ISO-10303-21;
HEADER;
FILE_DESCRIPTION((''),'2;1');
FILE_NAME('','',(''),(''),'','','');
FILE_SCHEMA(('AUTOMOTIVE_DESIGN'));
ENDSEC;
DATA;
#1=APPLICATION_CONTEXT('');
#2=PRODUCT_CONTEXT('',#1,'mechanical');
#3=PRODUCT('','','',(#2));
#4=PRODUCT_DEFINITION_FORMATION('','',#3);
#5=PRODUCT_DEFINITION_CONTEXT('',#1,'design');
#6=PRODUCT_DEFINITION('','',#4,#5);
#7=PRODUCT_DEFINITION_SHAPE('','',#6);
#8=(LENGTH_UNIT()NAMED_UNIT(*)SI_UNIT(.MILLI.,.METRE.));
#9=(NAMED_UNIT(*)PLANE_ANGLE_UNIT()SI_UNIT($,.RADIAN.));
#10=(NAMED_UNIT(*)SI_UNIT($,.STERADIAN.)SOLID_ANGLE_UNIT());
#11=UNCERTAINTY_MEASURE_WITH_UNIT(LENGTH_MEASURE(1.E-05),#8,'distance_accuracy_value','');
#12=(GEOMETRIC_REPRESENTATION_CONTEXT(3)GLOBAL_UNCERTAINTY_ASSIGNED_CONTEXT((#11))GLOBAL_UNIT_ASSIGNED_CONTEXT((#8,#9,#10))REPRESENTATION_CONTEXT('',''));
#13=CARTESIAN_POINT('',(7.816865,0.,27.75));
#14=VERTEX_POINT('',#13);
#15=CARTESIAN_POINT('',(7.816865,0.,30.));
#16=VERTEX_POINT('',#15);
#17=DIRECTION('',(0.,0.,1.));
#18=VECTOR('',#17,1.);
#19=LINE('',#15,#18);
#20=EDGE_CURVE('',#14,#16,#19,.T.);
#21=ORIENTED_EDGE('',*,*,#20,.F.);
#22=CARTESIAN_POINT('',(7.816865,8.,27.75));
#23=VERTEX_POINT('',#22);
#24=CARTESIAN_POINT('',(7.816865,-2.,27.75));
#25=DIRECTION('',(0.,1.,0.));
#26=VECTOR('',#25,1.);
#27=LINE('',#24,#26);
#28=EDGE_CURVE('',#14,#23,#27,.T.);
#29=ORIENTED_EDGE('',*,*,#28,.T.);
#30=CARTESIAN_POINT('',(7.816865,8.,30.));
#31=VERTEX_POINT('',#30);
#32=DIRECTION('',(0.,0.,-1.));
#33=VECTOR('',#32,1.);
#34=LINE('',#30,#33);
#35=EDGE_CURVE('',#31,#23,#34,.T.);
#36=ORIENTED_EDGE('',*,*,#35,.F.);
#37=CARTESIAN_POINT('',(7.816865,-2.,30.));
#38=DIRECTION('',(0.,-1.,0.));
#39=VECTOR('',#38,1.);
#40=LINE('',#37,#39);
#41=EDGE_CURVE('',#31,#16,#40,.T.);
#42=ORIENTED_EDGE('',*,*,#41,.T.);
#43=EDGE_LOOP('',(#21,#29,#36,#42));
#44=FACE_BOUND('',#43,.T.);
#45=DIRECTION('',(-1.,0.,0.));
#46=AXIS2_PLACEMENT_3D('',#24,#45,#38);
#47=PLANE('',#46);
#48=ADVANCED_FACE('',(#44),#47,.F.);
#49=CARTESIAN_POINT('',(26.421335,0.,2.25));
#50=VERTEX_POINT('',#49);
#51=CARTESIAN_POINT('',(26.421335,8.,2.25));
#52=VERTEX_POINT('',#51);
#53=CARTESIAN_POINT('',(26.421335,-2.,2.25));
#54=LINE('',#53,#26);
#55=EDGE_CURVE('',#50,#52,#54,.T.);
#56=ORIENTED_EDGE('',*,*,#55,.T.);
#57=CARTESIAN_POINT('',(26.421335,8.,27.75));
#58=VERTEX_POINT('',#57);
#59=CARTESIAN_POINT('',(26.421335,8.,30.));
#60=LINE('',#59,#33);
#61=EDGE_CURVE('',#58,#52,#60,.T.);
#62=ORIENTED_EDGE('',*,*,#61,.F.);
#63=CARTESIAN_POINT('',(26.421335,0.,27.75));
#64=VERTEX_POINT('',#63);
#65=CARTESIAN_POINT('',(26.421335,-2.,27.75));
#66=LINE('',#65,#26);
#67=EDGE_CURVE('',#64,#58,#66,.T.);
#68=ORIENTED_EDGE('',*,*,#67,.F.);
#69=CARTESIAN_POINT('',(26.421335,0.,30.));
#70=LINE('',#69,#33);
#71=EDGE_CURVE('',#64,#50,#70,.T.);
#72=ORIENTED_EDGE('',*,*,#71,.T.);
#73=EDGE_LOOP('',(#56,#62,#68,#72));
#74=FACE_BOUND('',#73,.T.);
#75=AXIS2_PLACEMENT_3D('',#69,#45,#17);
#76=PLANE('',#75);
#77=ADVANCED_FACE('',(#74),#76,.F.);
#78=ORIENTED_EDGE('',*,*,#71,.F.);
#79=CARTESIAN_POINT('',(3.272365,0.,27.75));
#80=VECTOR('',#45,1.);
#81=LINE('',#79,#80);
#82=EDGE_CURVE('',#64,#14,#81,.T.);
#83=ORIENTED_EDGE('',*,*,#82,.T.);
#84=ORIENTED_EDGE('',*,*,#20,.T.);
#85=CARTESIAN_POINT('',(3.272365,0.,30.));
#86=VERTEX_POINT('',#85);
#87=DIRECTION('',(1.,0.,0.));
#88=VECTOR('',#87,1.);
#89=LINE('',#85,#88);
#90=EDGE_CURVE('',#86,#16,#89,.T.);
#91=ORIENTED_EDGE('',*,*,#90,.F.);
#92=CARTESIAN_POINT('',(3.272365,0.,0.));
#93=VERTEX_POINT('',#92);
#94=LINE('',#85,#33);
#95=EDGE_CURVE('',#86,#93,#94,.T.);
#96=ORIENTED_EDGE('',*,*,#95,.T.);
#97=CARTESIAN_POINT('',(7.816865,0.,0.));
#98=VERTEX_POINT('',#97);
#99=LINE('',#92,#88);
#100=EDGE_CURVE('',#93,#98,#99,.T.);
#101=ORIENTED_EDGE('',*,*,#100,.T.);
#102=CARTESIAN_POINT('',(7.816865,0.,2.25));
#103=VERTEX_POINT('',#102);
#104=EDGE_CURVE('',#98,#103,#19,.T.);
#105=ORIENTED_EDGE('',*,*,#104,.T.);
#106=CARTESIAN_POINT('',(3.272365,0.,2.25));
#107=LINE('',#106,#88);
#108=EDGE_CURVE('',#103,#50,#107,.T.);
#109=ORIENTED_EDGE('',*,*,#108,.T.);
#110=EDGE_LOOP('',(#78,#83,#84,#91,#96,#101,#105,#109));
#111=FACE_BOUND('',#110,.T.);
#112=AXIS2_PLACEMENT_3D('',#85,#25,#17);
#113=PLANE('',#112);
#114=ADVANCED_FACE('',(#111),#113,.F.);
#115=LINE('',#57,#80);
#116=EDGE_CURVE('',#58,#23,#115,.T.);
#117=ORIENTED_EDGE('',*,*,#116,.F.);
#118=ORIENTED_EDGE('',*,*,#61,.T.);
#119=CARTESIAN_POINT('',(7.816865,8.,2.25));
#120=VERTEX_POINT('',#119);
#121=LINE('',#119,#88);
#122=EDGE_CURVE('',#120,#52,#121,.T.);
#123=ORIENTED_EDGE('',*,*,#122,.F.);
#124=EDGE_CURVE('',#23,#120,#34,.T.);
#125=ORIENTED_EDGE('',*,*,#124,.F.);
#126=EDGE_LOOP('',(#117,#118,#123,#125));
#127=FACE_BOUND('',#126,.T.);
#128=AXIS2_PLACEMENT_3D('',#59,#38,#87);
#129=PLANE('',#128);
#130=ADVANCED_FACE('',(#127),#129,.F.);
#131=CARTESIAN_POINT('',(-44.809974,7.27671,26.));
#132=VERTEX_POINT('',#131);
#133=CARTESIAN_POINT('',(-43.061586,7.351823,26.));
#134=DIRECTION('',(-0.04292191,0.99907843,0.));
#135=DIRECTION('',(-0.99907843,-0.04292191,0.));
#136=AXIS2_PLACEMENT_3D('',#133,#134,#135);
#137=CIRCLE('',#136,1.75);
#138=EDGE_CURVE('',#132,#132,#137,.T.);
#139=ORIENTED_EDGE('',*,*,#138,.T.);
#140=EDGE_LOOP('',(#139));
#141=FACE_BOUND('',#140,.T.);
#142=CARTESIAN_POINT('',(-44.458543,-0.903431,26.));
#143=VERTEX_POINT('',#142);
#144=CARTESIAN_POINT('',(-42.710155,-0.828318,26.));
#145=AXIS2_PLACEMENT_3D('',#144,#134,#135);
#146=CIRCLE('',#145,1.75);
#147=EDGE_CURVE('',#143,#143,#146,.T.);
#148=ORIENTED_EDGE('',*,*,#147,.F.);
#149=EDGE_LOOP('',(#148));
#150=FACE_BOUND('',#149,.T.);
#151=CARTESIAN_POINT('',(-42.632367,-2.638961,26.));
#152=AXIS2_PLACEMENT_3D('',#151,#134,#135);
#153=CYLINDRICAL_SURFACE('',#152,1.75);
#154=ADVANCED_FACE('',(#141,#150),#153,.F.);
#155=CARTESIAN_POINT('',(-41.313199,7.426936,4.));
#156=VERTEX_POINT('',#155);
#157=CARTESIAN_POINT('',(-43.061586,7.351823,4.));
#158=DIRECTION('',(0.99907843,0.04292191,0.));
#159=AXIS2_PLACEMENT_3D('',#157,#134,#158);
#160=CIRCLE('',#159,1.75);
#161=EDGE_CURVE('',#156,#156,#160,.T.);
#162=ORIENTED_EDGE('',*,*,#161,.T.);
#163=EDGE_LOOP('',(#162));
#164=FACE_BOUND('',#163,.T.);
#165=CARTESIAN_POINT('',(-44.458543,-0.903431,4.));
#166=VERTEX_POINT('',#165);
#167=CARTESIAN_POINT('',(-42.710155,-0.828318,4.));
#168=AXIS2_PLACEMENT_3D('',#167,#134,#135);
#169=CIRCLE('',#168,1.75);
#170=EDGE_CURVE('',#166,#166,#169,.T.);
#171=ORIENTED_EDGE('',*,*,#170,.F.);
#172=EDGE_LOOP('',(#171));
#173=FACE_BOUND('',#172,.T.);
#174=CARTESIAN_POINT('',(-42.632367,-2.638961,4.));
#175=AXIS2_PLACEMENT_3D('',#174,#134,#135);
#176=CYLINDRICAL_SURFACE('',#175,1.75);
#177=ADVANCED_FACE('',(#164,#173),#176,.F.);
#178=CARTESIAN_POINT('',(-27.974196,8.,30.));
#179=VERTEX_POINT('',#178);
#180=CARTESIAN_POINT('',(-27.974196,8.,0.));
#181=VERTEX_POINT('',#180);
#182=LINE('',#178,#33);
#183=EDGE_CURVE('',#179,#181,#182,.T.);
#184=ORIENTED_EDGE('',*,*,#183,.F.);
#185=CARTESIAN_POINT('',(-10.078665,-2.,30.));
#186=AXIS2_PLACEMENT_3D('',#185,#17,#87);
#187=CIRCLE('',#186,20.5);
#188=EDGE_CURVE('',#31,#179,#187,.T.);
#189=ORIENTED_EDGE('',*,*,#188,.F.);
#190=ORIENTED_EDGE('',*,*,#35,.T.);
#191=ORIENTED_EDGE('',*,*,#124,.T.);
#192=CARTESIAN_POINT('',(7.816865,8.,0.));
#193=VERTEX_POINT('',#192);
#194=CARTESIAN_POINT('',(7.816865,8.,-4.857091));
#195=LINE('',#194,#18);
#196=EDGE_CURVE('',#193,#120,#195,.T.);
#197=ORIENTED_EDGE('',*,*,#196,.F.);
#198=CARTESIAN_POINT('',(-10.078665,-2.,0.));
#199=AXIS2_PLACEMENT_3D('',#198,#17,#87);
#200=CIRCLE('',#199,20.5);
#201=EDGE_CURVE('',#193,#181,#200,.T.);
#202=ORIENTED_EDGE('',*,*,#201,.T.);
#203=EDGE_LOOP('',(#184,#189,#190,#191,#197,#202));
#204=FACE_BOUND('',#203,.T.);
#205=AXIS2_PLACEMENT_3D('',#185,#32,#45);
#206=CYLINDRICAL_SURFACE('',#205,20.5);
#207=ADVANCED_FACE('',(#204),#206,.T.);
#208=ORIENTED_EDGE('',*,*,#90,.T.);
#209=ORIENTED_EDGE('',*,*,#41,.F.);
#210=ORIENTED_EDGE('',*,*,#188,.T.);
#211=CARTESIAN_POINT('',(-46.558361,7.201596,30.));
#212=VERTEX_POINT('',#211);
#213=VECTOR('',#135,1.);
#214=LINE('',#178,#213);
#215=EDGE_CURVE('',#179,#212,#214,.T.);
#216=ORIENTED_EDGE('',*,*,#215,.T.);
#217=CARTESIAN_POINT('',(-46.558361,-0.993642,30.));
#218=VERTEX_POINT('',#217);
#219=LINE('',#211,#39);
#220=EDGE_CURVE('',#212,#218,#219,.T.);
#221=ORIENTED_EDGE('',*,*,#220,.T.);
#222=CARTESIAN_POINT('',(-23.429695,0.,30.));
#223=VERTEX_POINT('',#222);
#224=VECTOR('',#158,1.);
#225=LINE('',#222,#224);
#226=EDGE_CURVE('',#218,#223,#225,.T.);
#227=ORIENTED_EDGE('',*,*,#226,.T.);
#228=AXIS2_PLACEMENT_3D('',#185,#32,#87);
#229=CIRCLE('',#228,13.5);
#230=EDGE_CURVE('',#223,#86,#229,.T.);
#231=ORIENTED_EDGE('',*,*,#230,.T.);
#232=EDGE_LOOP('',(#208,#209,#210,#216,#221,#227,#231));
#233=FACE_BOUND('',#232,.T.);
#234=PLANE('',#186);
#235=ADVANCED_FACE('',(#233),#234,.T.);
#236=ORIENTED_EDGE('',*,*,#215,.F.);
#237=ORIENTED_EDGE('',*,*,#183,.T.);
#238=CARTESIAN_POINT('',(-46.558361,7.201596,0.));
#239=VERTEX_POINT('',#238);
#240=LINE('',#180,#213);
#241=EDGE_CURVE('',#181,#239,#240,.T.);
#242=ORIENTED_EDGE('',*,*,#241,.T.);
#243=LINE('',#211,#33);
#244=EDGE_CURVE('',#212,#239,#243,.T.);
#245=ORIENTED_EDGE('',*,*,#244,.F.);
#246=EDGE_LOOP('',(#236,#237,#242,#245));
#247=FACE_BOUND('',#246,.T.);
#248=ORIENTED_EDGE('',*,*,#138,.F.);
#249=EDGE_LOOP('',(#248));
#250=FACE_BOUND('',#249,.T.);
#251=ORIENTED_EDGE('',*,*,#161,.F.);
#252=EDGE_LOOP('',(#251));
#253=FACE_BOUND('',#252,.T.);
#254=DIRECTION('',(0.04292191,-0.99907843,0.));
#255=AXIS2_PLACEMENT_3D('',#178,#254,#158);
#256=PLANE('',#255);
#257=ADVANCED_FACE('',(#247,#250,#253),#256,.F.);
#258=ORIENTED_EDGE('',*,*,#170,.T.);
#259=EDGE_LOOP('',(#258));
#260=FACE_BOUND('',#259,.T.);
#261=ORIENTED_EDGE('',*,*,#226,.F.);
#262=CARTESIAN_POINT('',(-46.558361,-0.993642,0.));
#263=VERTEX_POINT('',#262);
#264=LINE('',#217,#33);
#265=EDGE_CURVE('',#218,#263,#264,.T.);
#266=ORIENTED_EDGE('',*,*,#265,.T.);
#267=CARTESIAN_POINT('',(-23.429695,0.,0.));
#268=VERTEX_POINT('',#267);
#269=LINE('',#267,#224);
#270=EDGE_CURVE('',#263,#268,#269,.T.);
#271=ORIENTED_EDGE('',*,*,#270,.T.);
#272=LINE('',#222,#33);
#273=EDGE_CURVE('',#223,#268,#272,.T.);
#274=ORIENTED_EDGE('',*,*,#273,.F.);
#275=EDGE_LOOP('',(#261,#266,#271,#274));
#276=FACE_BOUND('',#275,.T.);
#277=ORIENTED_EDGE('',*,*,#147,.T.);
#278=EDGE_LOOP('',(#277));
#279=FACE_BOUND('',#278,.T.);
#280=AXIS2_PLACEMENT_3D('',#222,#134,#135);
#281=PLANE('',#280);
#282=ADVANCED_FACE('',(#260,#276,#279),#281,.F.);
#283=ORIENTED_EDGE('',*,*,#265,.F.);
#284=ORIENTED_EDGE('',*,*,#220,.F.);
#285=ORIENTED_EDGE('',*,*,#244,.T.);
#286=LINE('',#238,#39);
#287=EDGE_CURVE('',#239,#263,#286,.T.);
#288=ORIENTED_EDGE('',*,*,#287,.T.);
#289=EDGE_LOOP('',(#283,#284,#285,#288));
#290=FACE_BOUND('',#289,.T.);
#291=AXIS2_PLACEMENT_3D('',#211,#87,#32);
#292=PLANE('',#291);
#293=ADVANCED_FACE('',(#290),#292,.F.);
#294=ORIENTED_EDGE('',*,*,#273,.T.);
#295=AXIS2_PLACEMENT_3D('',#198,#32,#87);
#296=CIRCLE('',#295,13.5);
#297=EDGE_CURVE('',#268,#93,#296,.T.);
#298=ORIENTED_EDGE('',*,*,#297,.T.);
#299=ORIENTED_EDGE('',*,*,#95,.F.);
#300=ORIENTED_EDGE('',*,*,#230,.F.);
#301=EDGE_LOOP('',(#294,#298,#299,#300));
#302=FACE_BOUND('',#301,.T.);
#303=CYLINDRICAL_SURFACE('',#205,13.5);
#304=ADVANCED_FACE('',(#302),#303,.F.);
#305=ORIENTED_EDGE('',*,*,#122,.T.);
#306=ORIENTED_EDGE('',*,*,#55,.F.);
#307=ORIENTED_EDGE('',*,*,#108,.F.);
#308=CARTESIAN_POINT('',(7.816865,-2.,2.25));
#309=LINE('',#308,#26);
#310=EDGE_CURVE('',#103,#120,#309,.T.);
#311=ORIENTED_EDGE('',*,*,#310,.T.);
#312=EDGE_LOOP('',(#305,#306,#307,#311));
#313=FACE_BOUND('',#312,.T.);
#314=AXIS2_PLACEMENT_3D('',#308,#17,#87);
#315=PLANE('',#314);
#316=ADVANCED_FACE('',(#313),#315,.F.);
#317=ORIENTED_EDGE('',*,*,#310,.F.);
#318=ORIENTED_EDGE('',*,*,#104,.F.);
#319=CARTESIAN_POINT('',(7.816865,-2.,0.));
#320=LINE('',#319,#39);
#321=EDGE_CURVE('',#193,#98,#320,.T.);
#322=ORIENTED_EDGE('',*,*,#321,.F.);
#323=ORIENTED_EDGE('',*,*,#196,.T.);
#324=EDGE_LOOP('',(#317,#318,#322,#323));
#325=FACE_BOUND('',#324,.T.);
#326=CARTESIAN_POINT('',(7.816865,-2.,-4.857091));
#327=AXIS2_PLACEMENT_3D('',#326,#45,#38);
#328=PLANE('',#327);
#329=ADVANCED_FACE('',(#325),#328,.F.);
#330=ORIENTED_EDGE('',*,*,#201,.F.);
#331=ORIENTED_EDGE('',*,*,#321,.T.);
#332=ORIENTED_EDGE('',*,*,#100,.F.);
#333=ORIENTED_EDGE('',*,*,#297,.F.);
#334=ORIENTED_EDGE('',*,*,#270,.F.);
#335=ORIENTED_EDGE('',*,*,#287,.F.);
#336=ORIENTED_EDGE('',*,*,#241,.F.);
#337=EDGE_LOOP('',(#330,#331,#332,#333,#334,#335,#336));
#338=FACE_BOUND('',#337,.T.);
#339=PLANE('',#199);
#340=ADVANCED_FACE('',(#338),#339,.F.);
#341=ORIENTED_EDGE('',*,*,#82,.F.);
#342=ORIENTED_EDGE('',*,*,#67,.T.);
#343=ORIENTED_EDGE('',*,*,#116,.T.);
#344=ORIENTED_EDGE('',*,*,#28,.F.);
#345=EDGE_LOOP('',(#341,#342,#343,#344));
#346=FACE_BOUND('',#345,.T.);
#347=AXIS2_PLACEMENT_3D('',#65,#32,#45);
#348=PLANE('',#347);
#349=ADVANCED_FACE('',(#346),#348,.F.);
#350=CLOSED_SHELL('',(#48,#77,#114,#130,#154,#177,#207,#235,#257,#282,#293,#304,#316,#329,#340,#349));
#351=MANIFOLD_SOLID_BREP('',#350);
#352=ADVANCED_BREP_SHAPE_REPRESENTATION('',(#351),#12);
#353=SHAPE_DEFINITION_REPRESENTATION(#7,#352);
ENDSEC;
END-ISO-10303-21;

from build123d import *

# Parameters (mm, degrees)
SALIENTE_EXTRUIR1_DEPTH = 30
CORTAR_EXTRUIR1_DEPTH   = 10
CROQUIS4_R              = 1.75
CORTAR_EXTRUIR2_DEPTH   = 10


with BuildPart() as part:
    # Croquis1 → Saliente-Extruir1 (new body)
    with BuildSketch(Plane.XY):
        with BuildLine():
            Line((26.421334586, 0), (26.421334586, 8))
            Line((26.421334586, 8), (7.816864755, 8))
            ThreePointArc((7.816864755, 8), (-10.078665414, 18.5), (-27.974195582, 8))
            Line((-27.974195582, 8), (-46.558360995, 7.201596348))
            Line((-46.558360995, 7.201596348), (-46.558360995, -0.993642206))
            Line((-46.558360995, -0.993642206), (-23.429695336, 0))
            ThreePointArc((-23.429695336, 0), (-10.078665414, 11.5), (3.272364509, 0))
            Line((3.272364509, 0), (26.421334586, 0))
        make_face()
    extrude(amount=SALIENTE_EXTRUIR1_DEPTH)

    # Croquis3 → Cortar-Extruir1 (cut)
    with BuildSketch(Plane(origin=(0, 8, 0), x_dir=(1, 0, 0), z_dir=(0, 1, 0))):
        Polygon((26.421334586, -2.25), (26.421334586, -27.75), (7.816864755, -27.75), (7.816864755, -33.359079395), (34.243736359, -33.359079395), (34.243736359, 4.857090857), (7.816864755, 4.857090857), (7.816864755, -2.25), align=None)
    extrude(amount=-CORTAR_EXTRUIR1_DEPTH, mode=Mode.SUBTRACT)

    # Croquis4 → Cortar-Extruir2 (cut)
    with BuildSketch(Plane(origin=(-0.394595422, 9.184861036, 0), x_dir=(0.99907843, 0.04292191, 0), z_dir=(-0.04292191, 0.99907843, 0))):
        with Locations((-42.706347949, -26)):
            Circle(CROQUIS4_R)
        with Locations((-42.706347949, -4)):
            Circle(CROQUIS4_R)
    extrude(amount=-CORTAR_EXTRUIR2_DEPTH, mode=Mode.SUBTRACT)


solid = part.part
